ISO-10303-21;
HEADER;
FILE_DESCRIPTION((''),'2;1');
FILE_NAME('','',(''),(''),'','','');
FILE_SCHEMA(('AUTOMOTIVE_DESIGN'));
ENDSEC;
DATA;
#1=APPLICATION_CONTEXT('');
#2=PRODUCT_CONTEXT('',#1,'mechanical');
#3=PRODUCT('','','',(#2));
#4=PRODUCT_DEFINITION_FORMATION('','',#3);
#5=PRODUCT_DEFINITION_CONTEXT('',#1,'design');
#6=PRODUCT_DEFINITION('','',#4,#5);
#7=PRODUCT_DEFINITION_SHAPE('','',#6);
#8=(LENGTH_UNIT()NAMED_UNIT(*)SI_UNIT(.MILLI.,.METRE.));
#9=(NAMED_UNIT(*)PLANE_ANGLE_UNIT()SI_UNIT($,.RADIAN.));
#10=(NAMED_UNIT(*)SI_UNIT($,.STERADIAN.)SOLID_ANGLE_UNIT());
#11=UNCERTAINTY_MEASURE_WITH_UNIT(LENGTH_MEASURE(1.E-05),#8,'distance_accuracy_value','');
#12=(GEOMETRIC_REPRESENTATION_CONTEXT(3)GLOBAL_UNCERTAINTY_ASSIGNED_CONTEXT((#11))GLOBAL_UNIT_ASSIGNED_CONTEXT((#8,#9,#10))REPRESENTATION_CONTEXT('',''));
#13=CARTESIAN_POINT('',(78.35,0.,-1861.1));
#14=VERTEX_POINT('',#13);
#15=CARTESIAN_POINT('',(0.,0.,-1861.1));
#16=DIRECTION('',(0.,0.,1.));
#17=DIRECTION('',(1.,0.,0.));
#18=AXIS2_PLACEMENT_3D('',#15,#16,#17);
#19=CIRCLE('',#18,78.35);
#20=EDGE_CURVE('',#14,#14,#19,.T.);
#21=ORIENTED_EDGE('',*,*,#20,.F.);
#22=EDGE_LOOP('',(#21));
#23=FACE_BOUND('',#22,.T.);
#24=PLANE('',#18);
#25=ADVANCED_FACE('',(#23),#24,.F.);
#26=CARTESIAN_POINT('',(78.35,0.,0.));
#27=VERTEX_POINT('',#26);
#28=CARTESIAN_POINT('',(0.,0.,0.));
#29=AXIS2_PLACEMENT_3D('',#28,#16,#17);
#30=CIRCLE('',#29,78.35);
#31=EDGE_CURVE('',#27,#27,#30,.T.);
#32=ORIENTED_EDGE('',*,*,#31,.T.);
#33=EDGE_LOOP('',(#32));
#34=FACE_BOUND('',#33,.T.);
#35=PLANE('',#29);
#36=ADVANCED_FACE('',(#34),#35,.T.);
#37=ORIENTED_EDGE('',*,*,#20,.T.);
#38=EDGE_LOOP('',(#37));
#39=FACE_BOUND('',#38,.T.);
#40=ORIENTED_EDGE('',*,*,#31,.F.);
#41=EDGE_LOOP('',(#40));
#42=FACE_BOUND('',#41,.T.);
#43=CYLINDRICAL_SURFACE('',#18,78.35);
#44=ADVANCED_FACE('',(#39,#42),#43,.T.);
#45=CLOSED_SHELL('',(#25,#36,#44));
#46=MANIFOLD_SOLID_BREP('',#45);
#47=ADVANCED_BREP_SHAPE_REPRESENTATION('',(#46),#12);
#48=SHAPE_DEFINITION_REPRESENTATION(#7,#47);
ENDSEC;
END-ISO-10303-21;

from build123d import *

# Parameters (mm, degrees)
SKETCH3_R           = 78.35
BOSS_EXTRUDE1_DEPTH = 1861.1


with BuildPart() as part:
    # Sketch3 → Boss-Extrude1 (new body)
    with BuildSketch(Plane.XY):
        Circle(SKETCH3_R)
    extrude(amount=-BOSS_EXTRUDE1_DEPTH)


solid = part.part
